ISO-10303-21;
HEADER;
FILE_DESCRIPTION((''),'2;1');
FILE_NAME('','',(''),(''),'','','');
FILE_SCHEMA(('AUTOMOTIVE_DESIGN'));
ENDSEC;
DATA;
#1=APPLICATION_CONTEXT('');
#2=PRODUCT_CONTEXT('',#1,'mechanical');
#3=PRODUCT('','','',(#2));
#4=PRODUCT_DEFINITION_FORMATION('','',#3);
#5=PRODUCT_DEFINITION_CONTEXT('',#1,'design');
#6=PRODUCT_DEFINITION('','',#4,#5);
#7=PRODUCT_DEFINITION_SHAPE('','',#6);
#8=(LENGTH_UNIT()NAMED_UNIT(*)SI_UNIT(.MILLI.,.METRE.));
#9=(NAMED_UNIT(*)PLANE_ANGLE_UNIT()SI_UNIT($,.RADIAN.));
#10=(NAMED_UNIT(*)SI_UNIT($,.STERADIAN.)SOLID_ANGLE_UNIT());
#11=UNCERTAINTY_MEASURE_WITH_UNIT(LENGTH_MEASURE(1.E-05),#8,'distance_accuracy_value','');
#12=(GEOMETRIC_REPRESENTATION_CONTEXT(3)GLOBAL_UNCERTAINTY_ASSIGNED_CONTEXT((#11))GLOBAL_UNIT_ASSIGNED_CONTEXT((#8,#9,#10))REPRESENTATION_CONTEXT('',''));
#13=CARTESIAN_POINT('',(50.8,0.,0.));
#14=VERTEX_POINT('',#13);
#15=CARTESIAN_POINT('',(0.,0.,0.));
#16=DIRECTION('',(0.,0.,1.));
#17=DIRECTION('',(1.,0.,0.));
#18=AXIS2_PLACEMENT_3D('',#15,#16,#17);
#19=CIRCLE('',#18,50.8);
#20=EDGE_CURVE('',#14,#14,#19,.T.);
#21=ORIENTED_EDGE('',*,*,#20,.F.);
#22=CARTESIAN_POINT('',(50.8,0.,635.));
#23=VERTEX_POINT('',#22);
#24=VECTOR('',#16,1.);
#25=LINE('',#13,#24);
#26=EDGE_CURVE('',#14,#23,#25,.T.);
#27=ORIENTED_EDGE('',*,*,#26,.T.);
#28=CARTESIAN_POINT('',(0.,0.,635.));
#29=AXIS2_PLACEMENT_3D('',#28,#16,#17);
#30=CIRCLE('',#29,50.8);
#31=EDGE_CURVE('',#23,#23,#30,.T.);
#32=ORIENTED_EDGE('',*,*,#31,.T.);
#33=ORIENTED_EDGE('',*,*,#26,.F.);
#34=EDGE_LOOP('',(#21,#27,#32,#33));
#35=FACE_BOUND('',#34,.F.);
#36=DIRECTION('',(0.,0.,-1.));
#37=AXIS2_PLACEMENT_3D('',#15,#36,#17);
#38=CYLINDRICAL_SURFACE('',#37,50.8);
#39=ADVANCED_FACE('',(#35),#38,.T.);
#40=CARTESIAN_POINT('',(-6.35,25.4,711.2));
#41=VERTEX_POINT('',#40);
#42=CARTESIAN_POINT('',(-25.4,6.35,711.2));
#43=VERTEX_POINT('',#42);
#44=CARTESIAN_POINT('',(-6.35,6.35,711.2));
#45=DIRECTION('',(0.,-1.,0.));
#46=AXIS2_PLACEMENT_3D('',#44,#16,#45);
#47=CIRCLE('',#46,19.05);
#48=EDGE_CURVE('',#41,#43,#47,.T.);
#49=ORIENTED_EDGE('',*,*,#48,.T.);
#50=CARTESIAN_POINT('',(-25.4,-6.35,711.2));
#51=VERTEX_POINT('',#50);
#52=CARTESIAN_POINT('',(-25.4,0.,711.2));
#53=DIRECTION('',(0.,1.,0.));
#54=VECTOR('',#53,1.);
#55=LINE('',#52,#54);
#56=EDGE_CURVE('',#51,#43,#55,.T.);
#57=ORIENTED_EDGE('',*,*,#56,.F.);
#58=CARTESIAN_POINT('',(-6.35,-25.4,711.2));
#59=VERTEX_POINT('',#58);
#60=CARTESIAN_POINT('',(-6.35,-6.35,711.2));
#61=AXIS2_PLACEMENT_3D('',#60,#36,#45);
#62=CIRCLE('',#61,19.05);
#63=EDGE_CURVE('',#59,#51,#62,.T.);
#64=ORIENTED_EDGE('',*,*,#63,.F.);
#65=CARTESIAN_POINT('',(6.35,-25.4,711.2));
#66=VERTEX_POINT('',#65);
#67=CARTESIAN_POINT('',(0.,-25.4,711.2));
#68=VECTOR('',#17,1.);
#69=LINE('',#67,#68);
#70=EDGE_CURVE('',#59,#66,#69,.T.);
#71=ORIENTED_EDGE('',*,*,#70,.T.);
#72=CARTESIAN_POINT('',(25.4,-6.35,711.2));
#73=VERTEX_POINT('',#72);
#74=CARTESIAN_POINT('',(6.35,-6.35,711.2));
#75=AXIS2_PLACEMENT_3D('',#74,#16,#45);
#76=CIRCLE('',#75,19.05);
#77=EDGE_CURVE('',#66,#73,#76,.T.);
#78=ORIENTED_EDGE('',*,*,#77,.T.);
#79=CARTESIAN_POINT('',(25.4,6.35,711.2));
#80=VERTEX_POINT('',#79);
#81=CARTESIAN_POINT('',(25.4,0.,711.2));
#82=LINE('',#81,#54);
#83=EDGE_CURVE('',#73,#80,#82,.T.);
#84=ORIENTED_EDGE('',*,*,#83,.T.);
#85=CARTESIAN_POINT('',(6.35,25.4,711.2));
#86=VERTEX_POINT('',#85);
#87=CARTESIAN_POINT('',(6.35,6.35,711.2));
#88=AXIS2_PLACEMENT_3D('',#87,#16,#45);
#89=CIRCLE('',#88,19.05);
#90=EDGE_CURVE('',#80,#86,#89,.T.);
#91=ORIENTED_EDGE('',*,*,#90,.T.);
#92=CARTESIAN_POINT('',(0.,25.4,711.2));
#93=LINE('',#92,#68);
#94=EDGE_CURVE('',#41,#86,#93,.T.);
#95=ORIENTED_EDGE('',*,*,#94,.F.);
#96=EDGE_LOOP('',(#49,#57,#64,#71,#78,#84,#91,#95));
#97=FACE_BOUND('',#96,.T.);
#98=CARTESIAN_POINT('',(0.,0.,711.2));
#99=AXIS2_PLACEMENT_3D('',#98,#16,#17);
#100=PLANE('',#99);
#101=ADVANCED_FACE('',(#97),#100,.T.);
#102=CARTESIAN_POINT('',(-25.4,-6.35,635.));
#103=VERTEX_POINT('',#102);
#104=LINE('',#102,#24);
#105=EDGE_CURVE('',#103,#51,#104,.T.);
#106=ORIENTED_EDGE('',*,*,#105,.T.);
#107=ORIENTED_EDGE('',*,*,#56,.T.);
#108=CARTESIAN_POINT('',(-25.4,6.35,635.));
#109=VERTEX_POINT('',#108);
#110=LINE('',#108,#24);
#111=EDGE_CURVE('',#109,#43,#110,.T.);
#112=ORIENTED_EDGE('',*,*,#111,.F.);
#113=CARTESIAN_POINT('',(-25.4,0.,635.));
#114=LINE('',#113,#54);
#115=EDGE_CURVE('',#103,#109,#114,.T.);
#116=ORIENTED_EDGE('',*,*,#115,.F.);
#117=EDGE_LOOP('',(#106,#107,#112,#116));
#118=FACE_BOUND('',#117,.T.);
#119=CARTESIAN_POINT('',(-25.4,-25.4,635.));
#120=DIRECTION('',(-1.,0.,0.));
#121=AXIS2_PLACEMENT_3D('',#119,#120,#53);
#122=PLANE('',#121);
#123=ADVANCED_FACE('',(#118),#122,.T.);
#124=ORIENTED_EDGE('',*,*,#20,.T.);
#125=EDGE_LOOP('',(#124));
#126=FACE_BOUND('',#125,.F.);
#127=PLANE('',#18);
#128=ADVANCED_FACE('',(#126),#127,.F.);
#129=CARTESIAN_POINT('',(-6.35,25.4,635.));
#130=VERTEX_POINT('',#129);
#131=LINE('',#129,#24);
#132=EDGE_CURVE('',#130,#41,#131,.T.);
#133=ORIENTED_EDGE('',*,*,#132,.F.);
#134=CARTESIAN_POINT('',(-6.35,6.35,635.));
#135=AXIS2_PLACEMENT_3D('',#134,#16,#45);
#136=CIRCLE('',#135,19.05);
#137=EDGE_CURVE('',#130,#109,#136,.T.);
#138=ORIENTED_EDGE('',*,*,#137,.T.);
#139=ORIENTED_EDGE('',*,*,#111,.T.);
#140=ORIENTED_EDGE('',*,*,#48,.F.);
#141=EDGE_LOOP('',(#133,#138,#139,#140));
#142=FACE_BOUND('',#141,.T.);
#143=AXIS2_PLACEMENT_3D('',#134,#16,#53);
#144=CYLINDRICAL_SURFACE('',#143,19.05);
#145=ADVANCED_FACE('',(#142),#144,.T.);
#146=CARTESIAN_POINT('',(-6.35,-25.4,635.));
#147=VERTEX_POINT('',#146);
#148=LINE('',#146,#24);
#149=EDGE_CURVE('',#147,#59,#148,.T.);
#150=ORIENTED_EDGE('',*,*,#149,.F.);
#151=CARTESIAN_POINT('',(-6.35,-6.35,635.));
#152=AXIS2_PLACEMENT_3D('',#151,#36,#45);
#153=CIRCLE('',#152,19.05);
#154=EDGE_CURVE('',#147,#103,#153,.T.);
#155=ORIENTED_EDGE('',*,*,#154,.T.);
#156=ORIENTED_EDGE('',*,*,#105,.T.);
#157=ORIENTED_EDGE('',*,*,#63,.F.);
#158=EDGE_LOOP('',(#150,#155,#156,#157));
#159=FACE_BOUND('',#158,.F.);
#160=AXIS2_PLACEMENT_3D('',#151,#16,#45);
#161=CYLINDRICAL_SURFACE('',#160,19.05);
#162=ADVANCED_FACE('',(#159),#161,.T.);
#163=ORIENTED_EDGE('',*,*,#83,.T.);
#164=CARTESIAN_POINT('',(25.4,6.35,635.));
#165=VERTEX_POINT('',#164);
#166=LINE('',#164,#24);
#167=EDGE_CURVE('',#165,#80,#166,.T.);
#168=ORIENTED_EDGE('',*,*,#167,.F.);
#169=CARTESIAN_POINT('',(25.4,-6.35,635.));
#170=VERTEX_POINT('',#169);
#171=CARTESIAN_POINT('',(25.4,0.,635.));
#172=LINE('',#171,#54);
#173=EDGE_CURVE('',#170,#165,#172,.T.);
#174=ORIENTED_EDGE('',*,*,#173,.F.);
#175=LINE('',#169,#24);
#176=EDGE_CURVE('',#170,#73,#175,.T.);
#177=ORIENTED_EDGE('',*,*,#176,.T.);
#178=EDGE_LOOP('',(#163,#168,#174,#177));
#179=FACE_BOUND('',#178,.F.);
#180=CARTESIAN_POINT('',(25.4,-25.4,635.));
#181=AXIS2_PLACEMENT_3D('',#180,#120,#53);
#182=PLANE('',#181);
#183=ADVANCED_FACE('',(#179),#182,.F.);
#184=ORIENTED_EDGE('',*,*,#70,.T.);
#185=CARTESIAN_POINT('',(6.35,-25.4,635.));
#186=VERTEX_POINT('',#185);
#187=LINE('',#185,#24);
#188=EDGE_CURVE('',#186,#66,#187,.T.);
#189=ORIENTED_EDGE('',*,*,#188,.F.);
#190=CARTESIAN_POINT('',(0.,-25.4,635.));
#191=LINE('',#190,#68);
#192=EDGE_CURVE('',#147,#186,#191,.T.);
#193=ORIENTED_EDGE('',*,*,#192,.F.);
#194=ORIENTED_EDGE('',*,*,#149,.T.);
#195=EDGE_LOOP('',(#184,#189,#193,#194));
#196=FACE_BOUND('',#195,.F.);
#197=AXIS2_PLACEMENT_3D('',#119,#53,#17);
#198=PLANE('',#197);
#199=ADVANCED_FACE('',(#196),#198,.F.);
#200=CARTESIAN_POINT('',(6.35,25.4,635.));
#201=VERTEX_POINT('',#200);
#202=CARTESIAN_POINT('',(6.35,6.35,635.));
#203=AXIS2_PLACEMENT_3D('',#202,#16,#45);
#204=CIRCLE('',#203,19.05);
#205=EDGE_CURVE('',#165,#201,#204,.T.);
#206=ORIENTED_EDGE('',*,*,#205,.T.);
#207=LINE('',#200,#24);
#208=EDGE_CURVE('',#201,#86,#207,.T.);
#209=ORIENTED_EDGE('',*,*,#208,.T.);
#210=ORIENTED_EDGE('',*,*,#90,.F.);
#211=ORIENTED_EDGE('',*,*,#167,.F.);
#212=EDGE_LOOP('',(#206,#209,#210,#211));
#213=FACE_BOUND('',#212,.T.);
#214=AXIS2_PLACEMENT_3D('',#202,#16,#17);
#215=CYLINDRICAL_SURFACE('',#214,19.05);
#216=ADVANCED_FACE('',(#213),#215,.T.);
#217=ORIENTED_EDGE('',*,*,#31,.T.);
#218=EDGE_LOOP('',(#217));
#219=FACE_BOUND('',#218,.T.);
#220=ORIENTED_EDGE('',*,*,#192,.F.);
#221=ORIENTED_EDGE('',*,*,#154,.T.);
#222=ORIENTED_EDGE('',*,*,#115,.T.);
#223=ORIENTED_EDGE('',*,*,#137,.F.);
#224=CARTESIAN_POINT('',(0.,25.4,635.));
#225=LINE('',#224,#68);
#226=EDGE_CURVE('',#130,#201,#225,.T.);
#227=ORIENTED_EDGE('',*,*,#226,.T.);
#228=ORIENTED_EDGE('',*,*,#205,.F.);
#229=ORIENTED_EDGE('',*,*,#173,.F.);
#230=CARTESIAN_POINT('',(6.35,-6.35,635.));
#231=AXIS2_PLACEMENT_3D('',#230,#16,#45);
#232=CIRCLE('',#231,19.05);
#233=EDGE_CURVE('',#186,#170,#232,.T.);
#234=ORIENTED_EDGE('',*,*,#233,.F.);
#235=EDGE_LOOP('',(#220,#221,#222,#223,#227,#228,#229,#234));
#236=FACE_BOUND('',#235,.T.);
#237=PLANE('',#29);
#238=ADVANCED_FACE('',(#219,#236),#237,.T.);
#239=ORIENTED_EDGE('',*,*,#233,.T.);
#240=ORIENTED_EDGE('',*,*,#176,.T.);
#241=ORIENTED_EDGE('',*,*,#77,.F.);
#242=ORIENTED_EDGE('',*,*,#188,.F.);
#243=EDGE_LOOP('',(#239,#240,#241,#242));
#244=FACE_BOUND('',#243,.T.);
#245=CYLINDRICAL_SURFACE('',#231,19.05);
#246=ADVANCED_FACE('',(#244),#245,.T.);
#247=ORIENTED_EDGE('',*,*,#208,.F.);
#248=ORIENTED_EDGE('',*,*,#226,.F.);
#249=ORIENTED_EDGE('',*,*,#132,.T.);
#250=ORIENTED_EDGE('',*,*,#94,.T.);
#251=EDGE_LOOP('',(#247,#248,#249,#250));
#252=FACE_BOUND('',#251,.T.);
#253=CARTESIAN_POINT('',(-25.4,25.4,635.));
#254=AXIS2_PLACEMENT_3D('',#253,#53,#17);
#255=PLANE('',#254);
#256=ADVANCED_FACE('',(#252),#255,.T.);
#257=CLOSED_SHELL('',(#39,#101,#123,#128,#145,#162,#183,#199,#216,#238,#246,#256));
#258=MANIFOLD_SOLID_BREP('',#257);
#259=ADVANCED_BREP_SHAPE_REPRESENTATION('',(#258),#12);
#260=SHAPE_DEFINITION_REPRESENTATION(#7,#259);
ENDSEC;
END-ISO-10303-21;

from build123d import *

# Parameters (mm, degrees)
F0_R     = 50.8
F1_DEPTH = 635
F2_W     = 50.8
F2_H     = 50.8
F3_DEPTH = 76.2
F4_R     = 19.05


with BuildPart() as f1:
    # F0 (on Top) → F1 (new body)
    with BuildSketch(Plane.XY):
        Circle(F0_R)
    extrude(amount=F1_DEPTH)

    # F2 (on face) → F3 (join)
    with BuildSketch(Plane.XY.offset(635)):
        Rectangle(F2_W, F2_H)
    extrude(amount=F3_DEPTH)

    # F4
    f4_edges = [f1.edges().sort_by_distance(p)[0] for p in [
        (25.4, -25.4, 673.1),
        (-25.4, -25.4, 673.1),
        (25.4, 25.4, 673.1),
        (-25.4, 25.4, 673.1),
    ]]
    fillet(f4_edges, radius=F4_R)


solid = f1.part
